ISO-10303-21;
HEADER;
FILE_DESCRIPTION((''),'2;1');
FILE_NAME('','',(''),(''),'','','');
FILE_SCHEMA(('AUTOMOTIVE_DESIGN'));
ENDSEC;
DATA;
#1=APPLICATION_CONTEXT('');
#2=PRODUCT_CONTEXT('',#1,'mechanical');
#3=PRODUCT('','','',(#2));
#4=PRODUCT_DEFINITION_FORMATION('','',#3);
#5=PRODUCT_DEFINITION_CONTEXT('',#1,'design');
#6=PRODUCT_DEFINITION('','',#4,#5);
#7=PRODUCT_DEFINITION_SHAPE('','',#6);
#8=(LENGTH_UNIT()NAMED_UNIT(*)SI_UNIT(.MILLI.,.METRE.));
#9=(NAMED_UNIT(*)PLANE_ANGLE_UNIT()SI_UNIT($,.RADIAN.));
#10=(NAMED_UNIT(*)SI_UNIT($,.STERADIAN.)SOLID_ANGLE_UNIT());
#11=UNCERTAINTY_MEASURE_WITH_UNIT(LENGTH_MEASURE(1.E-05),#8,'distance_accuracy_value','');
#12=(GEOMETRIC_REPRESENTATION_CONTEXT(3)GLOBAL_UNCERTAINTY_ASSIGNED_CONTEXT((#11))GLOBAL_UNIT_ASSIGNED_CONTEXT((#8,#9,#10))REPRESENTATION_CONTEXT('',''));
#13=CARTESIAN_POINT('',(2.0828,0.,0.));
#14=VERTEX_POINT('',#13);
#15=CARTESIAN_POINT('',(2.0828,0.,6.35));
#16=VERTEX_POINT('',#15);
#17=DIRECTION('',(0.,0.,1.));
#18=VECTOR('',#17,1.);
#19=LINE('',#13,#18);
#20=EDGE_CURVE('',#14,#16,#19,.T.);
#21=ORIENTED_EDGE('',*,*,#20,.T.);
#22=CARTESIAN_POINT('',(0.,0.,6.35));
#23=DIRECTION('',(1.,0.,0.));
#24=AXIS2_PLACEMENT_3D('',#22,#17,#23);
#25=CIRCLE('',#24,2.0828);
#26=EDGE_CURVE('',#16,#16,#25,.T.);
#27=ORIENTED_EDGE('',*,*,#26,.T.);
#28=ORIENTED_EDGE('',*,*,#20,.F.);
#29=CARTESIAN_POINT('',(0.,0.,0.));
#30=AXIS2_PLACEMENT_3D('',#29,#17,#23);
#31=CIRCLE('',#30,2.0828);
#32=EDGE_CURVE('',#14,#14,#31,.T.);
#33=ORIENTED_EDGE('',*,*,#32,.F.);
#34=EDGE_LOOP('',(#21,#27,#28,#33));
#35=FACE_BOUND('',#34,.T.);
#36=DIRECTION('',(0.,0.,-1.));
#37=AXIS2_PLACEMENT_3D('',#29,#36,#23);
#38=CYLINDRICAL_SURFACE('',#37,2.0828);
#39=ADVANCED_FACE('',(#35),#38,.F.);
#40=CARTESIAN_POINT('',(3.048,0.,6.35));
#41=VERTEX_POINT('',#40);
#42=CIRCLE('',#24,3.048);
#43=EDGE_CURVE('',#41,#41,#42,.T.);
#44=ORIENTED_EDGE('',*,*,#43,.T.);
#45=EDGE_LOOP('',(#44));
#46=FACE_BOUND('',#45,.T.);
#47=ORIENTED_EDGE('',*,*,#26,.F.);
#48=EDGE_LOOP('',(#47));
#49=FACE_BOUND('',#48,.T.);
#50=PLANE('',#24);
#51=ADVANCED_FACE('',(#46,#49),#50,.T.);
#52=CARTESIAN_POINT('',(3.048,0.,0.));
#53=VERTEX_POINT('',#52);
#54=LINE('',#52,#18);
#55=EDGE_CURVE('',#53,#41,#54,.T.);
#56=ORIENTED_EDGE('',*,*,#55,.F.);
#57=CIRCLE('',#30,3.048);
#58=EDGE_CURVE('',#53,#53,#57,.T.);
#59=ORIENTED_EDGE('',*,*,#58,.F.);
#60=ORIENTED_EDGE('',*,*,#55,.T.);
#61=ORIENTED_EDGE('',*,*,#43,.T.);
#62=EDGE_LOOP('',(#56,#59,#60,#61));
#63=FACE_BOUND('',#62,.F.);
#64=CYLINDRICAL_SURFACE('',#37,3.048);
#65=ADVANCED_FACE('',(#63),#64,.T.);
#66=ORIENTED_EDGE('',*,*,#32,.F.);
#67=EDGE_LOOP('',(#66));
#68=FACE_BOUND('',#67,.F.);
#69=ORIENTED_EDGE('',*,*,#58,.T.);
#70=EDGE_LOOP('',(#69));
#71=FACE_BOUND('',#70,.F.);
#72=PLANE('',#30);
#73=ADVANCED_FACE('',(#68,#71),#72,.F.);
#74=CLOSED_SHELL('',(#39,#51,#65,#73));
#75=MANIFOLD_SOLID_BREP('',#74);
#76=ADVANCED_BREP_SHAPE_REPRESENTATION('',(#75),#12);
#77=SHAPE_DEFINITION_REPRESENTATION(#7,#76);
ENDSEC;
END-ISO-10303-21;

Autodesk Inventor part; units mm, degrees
ref_plane "YZ Plane" through (0, 0, 0) normal (1, 0, 0) x (0, 1, 0)
ref_plane "XZ Plane" through (0, 0, 0) normal (0, 1, 0) x (-1, 0, 0)
ref_plane "XY Plane" through (0, 0, 0) normal (0, 0, 1) x (1, 0, 0)
sketch "Sketch1" plane through (0, 0, 0) normal (0, 0, 1) x (1, 0, 0)
  circle A0 centre (0, 0) radius 2.0828
  circle A1 centre (0, 0) radius 3.048
  dimension "d0" = 4.1656
  dimension "d1" = 6.096
extrude "Extrusion1" add sketch "Sketch1" along normal blind 6.35
properties part number "Neck" material "Nylon 6/6"
